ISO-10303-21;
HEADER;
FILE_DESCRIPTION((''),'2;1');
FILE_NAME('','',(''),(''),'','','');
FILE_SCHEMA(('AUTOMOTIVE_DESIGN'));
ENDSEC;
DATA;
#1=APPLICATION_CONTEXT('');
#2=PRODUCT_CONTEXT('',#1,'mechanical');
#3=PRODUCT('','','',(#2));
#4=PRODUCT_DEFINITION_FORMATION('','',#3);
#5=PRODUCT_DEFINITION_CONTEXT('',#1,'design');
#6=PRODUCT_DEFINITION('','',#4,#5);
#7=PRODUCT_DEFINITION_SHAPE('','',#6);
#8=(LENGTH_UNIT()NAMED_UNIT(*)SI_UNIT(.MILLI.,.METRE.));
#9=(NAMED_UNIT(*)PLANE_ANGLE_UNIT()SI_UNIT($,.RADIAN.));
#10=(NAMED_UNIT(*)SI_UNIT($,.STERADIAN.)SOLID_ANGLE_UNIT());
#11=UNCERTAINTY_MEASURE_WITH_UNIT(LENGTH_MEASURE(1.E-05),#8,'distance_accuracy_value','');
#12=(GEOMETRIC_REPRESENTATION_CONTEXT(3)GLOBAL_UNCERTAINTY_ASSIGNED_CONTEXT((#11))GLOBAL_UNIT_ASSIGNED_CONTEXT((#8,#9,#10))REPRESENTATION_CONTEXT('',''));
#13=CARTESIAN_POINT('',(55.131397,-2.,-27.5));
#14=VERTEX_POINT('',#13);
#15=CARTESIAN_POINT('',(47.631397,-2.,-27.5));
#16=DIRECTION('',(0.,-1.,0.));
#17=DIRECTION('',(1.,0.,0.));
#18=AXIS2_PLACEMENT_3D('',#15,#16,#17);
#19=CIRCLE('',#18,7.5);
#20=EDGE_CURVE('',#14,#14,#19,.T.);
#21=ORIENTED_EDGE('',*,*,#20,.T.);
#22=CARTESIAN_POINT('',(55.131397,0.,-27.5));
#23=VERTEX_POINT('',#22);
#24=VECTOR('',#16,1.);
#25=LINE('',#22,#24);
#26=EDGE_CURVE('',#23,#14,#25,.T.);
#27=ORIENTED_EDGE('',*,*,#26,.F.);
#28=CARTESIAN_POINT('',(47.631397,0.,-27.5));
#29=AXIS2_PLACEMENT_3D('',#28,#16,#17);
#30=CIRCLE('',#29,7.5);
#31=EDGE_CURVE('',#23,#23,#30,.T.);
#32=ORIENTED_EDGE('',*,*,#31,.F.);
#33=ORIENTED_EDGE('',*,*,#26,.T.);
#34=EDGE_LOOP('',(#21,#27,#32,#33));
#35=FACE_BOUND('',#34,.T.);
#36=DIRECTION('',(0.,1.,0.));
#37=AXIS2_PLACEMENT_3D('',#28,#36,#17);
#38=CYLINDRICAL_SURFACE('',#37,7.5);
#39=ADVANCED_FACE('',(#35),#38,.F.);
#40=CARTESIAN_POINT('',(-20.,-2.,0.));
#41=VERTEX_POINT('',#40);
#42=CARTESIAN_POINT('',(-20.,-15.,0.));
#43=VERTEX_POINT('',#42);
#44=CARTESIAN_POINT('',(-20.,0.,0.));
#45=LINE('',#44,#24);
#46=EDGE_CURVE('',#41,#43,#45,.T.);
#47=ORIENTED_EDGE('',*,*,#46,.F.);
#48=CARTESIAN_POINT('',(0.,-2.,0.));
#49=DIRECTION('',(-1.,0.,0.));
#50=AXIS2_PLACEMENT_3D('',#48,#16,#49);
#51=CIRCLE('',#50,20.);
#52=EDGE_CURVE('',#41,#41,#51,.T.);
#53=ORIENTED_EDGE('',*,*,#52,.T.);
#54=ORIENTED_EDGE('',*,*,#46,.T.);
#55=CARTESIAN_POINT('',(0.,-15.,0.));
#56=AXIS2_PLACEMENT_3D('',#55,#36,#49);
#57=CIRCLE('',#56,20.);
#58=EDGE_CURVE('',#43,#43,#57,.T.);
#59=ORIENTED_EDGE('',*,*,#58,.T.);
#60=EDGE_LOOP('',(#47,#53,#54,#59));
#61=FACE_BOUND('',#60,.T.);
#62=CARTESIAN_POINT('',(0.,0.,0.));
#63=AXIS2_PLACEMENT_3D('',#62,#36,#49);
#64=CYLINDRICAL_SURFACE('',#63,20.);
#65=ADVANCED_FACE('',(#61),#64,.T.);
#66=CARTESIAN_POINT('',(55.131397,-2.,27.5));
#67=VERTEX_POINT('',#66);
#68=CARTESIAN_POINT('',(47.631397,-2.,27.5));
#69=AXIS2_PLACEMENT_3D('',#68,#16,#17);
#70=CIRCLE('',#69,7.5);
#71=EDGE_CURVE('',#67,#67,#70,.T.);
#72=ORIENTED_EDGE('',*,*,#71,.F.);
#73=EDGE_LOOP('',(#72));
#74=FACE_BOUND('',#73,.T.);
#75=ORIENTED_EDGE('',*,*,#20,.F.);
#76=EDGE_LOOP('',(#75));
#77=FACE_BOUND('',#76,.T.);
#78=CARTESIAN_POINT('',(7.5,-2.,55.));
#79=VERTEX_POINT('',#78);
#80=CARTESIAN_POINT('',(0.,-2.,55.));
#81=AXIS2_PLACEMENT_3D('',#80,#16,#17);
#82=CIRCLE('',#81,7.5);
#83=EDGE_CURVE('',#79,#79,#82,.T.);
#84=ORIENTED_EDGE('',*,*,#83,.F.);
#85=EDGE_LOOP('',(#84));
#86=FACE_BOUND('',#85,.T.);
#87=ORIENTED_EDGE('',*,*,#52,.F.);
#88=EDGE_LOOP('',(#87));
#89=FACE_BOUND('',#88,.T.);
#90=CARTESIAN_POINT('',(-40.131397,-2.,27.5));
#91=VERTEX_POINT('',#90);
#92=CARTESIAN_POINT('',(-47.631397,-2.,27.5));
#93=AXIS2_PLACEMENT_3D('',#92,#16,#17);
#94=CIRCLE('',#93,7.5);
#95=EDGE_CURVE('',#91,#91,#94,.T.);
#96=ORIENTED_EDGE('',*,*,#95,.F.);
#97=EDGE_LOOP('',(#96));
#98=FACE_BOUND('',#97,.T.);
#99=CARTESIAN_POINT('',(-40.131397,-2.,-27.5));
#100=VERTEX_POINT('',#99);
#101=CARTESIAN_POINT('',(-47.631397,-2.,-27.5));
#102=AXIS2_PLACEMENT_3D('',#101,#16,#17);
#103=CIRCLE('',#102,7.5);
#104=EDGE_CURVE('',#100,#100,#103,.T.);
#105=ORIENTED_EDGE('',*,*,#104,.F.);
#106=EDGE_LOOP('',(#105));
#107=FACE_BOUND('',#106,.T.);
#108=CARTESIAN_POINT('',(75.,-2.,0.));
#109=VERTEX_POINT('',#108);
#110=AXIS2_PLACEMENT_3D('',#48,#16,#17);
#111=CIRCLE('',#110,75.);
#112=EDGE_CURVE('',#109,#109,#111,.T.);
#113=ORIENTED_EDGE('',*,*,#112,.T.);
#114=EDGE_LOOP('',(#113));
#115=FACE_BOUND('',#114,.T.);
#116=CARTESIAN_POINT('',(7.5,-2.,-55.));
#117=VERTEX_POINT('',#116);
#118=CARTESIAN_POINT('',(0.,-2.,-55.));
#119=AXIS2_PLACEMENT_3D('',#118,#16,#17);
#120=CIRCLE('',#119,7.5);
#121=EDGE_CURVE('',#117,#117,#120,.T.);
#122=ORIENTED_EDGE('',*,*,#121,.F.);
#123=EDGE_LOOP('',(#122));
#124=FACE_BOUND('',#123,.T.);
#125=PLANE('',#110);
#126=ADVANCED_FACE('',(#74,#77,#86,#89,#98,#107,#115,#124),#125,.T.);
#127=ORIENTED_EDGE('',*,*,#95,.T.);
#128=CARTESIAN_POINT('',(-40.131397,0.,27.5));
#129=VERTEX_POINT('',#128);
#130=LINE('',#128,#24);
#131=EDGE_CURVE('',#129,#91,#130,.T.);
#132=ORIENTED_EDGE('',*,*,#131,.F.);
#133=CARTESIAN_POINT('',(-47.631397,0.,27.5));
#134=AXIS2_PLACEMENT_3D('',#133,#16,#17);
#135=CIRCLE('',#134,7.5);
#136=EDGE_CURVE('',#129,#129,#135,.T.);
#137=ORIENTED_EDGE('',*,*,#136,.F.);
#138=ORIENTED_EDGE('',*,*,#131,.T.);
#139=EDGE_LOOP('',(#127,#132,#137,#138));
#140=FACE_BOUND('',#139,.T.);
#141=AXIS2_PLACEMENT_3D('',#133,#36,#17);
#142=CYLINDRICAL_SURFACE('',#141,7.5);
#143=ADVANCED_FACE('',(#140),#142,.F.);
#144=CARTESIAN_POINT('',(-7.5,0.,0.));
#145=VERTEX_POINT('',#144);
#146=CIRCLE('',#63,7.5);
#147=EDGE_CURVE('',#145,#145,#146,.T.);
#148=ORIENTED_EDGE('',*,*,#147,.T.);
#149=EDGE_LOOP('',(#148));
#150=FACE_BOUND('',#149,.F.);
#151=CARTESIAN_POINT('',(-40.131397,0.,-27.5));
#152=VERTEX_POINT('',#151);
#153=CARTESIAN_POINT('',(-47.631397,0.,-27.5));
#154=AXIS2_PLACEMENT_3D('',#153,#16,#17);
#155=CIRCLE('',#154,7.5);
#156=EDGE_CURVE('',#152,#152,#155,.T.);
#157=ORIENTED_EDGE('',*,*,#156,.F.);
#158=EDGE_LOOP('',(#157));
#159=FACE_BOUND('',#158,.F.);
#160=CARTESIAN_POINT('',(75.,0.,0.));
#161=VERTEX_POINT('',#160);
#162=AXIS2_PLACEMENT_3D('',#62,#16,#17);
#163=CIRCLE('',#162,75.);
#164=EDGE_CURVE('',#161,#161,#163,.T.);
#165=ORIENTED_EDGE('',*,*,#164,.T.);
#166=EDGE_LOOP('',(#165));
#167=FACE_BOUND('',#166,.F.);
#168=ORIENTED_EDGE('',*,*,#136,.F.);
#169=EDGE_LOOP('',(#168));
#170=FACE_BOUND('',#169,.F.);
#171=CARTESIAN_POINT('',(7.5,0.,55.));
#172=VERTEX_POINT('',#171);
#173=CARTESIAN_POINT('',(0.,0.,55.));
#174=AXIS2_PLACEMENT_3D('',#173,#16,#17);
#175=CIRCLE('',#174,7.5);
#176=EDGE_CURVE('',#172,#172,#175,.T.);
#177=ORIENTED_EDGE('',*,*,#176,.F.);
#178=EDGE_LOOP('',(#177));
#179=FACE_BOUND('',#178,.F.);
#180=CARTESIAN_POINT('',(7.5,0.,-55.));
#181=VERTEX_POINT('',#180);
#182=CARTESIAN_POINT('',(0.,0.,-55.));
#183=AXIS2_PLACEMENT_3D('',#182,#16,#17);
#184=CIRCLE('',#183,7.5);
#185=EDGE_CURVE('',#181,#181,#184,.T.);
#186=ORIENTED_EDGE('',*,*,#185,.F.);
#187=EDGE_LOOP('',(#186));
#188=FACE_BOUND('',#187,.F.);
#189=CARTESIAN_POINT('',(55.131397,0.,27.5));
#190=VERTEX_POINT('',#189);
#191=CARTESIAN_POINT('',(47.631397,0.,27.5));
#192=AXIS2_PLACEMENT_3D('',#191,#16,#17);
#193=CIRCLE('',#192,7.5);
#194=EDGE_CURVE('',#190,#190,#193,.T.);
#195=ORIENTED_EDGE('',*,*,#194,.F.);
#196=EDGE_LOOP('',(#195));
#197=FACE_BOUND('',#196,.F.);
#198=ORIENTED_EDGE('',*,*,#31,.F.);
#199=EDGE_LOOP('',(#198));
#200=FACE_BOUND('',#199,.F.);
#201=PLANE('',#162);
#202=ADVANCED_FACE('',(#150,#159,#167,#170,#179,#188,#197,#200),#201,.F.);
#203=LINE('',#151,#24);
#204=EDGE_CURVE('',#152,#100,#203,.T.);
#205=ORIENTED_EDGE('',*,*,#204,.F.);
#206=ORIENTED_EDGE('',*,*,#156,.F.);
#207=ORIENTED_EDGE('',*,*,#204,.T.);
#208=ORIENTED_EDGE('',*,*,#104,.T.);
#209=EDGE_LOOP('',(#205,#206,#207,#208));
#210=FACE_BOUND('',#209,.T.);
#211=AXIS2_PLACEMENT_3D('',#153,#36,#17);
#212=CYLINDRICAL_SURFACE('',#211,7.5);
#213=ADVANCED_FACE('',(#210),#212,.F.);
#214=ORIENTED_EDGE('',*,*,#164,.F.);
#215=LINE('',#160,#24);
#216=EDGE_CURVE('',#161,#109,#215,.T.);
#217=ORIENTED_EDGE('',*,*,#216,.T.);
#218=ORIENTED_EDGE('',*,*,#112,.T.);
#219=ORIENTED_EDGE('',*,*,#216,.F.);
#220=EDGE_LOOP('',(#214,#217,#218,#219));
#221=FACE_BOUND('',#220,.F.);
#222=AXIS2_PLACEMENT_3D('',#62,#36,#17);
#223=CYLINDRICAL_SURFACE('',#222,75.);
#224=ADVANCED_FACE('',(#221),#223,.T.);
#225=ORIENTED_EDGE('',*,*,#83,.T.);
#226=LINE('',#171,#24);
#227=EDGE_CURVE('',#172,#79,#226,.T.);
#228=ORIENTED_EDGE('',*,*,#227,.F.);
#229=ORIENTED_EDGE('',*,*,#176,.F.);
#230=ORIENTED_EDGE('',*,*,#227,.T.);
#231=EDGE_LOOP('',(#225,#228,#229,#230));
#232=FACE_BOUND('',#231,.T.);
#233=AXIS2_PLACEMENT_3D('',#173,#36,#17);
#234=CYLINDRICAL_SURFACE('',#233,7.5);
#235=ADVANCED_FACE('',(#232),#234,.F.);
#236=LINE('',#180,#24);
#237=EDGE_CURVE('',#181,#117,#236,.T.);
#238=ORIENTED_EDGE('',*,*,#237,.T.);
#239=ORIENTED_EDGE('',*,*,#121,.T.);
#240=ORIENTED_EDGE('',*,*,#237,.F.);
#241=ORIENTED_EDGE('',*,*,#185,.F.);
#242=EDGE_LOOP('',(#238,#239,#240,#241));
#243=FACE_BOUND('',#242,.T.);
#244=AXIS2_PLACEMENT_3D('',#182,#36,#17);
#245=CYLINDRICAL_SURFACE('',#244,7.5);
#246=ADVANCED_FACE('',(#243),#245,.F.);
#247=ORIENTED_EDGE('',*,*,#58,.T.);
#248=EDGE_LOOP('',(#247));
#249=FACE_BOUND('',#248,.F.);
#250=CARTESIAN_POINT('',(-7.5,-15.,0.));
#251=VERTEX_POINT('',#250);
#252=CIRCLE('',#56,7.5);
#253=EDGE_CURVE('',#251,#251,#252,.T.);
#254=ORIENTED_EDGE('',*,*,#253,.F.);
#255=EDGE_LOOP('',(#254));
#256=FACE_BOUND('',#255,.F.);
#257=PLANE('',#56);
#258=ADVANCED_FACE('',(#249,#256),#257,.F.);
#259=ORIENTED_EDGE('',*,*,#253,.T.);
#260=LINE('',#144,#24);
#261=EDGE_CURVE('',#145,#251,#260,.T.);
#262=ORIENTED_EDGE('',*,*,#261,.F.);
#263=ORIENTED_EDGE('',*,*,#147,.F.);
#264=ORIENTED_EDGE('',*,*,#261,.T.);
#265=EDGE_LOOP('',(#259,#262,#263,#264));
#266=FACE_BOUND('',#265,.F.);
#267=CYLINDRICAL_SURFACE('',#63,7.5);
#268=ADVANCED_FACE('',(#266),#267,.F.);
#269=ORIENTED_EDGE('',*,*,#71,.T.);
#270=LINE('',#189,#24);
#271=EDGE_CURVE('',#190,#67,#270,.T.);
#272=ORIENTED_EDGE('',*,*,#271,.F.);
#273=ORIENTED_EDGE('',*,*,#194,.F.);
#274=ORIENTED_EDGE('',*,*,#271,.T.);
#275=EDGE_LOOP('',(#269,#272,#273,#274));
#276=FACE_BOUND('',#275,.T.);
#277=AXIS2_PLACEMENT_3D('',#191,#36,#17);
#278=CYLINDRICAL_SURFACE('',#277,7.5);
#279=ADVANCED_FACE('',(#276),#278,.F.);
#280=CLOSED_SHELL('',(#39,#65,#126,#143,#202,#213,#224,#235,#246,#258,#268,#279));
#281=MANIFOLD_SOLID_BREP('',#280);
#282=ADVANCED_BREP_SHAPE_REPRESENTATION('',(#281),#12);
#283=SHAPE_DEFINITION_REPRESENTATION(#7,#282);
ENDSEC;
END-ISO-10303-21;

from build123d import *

# Parameters (mm, degrees)
F0_R     = 75
F0_R_2   = 7.5
F0_R_3   = 20
F1_DEPTH = 2
F2_R     = 20
F2_R_2   = 7.5
F3_DEPTH = 15


with BuildPart() as f1:
    # F0 (on Front) → F1 (new body)
    with BuildSketch(Plane.XZ):
        Circle(F0_R)
        with Locations((-47.6313972081, -27.5)):
            Circle(F0_R_2, mode=Mode.SUBTRACT)
        with Locations((0, -55)):
            Circle(F0_R_2, mode=Mode.SUBTRACT)
        with Locations((47.6313972081, -27.5)):
            Circle(F0_R_2, mode=Mode.SUBTRACT)
        with Locations((-47.6313972081, 27.5)):
            Circle(F0_R_2, mode=Mode.SUBTRACT)
        Circle(F0_R_3, mode=Mode.SUBTRACT)
        with Locations((47.6313972081, 27.5)):
            Circle(F0_R_2, mode=Mode.SUBTRACT)
        with Locations((0, 55)):
            Circle(F0_R_2, mode=Mode.SUBTRACT)
    extrude(amount=F1_DEPTH)

    # F2 (on face) → F3 (join)
    with BuildSketch(Plane(origin=(0, 0, 0), x_dir=(-1, 0, 0), z_dir=(0, 1, 0))):
        Circle(F2_R)
        Circle(F2_R_2, mode=Mode.SUBTRACT)
    extrude(amount=-F3_DEPTH)


solid = f1.part
